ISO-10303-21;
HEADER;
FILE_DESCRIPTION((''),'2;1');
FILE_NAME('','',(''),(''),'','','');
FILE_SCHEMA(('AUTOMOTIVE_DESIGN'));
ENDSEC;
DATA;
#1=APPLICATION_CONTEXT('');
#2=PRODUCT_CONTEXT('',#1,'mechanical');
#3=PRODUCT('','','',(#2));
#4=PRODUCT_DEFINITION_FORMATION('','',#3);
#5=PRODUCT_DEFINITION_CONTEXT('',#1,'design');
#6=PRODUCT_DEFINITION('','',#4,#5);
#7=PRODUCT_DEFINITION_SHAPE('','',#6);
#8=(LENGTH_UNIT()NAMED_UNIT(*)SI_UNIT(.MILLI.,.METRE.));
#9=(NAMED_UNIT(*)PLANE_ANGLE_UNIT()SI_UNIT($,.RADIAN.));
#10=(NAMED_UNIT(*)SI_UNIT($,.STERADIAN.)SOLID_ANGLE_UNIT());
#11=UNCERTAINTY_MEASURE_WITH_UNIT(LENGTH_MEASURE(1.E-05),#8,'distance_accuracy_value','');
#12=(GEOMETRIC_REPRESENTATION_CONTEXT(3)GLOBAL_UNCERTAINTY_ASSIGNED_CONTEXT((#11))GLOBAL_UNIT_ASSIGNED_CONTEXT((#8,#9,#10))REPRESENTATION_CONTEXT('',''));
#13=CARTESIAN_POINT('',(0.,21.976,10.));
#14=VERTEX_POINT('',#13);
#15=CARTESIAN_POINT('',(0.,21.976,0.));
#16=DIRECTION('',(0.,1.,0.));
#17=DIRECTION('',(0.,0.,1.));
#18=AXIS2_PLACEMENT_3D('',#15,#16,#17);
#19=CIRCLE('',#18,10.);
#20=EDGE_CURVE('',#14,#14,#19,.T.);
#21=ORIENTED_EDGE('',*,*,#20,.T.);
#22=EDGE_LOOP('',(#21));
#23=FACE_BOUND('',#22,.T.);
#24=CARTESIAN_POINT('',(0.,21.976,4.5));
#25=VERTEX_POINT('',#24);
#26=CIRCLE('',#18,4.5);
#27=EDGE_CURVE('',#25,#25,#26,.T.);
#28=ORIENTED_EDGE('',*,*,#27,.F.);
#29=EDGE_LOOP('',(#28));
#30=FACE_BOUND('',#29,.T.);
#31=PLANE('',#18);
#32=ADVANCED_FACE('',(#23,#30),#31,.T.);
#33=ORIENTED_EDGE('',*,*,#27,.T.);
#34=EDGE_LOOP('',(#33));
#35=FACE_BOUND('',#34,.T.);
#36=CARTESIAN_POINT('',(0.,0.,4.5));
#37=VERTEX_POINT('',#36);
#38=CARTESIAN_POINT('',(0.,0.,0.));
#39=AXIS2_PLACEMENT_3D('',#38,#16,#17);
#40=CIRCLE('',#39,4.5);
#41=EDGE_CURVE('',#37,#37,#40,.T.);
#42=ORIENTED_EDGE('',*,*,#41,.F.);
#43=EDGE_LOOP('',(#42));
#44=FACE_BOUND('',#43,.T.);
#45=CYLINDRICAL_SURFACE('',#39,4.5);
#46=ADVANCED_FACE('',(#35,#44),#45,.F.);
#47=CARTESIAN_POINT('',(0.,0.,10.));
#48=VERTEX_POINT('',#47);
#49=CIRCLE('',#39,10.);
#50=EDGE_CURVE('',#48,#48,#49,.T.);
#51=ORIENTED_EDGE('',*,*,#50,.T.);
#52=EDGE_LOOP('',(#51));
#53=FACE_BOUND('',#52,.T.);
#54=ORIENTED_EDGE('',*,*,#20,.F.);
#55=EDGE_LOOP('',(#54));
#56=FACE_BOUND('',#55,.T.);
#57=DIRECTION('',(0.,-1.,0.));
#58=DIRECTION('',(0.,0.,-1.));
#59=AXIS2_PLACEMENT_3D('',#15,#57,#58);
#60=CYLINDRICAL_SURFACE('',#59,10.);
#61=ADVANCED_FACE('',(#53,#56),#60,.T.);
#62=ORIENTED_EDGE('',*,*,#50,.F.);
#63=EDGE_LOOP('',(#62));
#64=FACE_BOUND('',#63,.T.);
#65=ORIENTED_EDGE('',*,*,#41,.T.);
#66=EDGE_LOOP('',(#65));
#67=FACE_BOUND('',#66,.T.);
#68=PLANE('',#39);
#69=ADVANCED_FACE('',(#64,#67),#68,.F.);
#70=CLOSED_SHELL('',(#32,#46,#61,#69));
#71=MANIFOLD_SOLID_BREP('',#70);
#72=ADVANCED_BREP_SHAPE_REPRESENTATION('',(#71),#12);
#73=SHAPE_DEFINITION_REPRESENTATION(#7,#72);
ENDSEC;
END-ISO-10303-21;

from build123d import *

# Parameters (mm, degrees)
SKETCH1_R           = 10
BOSS_EXTRUDE1_DEPTH = 21.976
SKETCH2_R           = 4.5
CUT_EXTRUDE1_DEPTH  = 27.133208299


with BuildPart() as part:
    # Sketch1 → Boss-Extrude1 (new body)
    with BuildSketch(Plane(origin=(0, 0, 0), x_dir=(1, 0, 0), z_dir=(0, 1, 0))):
        with Locations(Location((0, 0, 0), (0, 0, 270))):
            Circle(SKETCH1_R)
    extrude(amount=BOSS_EXTRUDE1_DEPTH)

    # Sketch2 → Cut-Extrude1 (cut, through all)
    with BuildSketch(Plane(origin=(0, 21.976, 0), x_dir=(1, 0, 0), z_dir=(0, 1, 0))):
        with Locations(Location((0, 0, 0), (0, 0, 270))):
            Circle(SKETCH2_R)
    extrude(amount=-CUT_EXTRUDE1_DEPTH, mode=Mode.SUBTRACT)


solid = part.part
